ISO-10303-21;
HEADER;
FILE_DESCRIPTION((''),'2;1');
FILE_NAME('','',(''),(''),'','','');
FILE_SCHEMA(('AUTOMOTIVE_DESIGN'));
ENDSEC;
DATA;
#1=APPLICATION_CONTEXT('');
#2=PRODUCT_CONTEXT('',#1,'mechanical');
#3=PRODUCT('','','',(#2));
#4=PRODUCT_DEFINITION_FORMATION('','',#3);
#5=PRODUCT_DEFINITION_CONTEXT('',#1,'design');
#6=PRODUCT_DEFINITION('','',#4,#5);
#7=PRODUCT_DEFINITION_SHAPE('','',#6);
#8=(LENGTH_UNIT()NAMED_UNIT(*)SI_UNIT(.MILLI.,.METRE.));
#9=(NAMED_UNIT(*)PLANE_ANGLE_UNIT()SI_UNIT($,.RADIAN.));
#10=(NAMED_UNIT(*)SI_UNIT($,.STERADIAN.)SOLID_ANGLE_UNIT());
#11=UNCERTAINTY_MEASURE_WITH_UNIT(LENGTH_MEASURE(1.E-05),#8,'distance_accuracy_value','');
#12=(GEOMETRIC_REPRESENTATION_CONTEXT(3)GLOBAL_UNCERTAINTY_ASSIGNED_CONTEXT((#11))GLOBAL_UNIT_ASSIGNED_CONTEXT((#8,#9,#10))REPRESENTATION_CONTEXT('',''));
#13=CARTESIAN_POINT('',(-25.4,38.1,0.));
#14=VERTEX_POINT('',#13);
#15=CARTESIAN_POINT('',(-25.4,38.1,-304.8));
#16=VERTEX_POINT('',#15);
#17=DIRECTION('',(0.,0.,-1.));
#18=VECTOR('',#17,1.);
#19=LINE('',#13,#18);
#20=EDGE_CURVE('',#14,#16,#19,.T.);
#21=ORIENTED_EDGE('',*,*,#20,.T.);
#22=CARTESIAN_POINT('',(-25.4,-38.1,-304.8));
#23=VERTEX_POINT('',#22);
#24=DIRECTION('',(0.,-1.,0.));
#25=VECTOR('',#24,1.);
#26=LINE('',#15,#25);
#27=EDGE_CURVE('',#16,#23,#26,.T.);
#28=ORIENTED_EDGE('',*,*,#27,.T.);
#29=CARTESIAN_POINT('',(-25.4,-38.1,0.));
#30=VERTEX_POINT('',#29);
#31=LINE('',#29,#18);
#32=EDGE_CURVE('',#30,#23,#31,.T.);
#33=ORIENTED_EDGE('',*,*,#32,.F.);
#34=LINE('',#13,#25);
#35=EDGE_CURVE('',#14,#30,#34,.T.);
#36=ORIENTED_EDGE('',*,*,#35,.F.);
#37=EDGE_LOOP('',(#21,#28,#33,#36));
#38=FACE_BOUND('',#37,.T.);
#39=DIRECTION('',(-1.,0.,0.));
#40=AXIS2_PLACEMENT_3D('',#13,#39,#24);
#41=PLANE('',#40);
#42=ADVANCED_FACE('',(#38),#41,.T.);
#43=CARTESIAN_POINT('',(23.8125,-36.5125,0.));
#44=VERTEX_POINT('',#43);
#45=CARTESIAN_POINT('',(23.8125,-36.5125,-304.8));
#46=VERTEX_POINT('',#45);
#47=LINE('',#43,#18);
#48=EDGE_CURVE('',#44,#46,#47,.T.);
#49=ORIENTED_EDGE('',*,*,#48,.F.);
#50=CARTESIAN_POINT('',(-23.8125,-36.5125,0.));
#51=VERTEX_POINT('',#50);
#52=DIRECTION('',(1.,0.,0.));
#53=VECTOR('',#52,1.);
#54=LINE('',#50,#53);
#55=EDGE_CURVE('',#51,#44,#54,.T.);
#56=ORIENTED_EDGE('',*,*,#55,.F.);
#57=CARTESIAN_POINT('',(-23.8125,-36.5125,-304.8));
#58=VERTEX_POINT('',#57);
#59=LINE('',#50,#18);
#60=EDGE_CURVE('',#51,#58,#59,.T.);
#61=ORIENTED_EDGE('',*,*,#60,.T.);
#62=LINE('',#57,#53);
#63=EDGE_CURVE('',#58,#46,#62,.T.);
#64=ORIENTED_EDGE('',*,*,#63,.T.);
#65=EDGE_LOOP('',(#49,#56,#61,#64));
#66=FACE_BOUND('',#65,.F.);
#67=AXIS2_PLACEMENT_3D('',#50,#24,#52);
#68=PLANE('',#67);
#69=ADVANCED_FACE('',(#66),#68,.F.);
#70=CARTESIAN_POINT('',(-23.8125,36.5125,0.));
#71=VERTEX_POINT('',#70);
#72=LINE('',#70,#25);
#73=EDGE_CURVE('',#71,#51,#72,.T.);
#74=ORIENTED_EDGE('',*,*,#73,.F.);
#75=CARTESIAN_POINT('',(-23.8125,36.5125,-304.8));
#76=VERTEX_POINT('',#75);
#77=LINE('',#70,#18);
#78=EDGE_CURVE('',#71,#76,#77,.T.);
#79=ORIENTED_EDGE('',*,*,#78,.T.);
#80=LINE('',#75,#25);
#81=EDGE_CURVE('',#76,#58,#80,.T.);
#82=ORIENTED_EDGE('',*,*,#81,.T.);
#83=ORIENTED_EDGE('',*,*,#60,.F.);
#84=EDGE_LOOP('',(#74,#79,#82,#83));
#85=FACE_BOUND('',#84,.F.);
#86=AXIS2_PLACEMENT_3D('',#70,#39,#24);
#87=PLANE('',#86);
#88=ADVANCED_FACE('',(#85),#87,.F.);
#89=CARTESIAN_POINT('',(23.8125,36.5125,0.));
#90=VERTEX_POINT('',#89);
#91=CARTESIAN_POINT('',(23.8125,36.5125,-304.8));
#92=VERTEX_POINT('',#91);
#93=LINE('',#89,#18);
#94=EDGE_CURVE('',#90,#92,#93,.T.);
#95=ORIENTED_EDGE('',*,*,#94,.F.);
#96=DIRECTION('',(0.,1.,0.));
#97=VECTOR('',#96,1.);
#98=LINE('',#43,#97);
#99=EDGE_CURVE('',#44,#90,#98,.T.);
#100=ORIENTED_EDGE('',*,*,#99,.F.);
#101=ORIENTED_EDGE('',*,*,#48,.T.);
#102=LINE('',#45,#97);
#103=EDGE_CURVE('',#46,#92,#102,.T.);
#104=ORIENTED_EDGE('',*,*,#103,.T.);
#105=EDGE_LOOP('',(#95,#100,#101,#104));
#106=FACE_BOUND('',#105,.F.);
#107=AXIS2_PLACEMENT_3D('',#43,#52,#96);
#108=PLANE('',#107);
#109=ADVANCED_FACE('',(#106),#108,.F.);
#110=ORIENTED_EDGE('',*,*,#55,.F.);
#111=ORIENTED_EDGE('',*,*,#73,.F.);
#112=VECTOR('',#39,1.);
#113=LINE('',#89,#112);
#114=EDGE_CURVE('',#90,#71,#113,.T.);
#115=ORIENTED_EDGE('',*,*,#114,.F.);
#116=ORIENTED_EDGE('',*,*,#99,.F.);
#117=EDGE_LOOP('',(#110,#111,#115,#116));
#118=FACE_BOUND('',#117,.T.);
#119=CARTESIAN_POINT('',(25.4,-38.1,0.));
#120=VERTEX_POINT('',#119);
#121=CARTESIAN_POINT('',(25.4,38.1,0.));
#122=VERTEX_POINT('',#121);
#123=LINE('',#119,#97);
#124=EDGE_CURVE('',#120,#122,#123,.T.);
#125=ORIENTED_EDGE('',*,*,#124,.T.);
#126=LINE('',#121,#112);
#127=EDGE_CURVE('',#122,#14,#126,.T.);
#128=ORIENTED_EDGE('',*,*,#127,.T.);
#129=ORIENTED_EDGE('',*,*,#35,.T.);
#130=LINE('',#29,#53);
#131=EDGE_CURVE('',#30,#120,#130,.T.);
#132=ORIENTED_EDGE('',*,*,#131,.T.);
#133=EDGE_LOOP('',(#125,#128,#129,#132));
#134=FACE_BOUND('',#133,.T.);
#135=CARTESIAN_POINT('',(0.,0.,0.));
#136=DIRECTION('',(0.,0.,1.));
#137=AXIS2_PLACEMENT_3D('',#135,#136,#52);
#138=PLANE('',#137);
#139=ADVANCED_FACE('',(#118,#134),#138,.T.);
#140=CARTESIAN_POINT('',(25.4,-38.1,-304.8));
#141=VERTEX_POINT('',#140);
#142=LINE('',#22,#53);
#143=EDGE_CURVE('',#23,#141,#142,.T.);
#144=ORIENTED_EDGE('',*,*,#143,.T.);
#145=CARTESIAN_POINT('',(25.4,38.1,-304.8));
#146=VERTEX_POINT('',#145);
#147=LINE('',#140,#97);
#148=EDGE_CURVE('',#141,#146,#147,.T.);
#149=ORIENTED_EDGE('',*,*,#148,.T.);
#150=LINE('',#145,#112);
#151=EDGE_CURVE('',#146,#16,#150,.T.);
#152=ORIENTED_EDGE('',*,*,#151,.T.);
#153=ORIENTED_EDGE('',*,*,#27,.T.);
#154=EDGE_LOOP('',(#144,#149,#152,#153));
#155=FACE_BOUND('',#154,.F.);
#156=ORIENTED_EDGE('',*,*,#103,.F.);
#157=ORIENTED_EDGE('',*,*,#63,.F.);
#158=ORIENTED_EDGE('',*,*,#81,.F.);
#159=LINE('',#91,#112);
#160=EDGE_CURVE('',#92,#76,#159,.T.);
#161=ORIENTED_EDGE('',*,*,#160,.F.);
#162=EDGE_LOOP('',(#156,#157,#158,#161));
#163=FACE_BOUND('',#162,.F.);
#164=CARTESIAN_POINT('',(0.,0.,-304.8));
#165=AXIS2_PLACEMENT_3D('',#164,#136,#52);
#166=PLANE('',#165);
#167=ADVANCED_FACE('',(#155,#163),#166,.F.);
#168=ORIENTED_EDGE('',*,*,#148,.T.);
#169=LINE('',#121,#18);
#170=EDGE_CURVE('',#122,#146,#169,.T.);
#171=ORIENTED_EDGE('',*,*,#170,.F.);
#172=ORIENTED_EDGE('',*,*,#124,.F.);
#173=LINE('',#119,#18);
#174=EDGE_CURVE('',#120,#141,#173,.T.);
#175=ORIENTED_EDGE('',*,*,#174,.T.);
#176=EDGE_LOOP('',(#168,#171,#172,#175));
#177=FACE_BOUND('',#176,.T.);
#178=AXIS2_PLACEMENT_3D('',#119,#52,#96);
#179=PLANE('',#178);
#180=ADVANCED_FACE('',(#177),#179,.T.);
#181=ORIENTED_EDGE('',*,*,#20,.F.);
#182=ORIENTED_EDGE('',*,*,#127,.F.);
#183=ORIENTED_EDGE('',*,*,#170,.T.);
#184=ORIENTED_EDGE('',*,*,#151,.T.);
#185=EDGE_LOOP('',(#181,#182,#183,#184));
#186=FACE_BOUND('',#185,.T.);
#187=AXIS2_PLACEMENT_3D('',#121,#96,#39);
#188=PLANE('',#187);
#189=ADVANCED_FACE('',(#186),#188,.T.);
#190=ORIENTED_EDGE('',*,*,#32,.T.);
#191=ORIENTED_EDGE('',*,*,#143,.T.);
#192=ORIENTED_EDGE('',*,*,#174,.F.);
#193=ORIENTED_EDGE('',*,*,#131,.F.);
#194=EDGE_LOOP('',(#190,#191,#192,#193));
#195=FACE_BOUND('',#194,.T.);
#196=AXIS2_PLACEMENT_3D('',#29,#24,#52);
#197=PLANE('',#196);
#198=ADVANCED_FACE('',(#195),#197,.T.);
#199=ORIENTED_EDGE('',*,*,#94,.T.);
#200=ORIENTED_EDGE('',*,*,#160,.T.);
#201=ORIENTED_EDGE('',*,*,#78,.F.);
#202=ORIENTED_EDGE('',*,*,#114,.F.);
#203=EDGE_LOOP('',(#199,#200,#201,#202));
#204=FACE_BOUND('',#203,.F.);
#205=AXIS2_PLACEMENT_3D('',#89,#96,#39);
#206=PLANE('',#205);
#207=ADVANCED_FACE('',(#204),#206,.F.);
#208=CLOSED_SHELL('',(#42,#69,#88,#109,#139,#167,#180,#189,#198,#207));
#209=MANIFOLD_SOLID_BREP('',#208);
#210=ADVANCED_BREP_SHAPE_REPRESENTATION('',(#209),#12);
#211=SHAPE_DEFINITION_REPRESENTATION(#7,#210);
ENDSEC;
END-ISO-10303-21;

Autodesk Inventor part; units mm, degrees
ref_plane "YZ Plane" through (0, 0, 0) normal (1, 0, 0) x (0, 1, 0)
ref_plane "XZ Plane" through (0, 0, 0) normal (0, 1, 0) x (-1, 0, 0)
ref_plane "XY Plane" through (0, 0, 0) normal (0, 0, 1) x (1, 0, 0)
sketch "Sketch1" plane through (0, 0, 0) normal (0, 0, 1) x (1, 0, 0)
  line L0 (-25.4, -38.1) -> (25.4, -38.1)
  line L1 (25.4, -38.1) -> (25.4, 38.1)
  line L2 (25.4, 38.1) -> (-25.4, 38.1)
  line L3 (-25.4, 38.1) -> (-25.4, -38.1)
  line L4 (-25.4, -38.1) -> (25.4, 38.1) construction
  line L5 (25.4, -38.1) -> (-25.4, 38.1) construction
  line L6 (-23.8125, -36.5125) -> (23.8125, -36.5125)
  line L7 (23.8125, -36.5125) -> (23.8125, 36.5125)
  line L8 (23.8125, 36.5125) -> (-23.8125, 36.5125)
  line L9 (-23.8125, 36.5125) -> (-23.8125, -36.5125)
  line L10 (-23.8125, -36.5125) -> (23.8125, 36.5125) construction
  line L11 (23.8125, -36.5125) -> (-23.8125, 36.5125) construction
  point P0 (0, 0)
  dimension "d0" = 50.8
  dimension "d1" = 76.2
  dimension "d2" = 1.5875
  dimension "d3" = 1.5875
extrude "Extrusion1" add sketch "Sketch1" against normal blind 304.8
properties part number "2x3x1_16_rectangularTubing" material "Aluminum 6061"
